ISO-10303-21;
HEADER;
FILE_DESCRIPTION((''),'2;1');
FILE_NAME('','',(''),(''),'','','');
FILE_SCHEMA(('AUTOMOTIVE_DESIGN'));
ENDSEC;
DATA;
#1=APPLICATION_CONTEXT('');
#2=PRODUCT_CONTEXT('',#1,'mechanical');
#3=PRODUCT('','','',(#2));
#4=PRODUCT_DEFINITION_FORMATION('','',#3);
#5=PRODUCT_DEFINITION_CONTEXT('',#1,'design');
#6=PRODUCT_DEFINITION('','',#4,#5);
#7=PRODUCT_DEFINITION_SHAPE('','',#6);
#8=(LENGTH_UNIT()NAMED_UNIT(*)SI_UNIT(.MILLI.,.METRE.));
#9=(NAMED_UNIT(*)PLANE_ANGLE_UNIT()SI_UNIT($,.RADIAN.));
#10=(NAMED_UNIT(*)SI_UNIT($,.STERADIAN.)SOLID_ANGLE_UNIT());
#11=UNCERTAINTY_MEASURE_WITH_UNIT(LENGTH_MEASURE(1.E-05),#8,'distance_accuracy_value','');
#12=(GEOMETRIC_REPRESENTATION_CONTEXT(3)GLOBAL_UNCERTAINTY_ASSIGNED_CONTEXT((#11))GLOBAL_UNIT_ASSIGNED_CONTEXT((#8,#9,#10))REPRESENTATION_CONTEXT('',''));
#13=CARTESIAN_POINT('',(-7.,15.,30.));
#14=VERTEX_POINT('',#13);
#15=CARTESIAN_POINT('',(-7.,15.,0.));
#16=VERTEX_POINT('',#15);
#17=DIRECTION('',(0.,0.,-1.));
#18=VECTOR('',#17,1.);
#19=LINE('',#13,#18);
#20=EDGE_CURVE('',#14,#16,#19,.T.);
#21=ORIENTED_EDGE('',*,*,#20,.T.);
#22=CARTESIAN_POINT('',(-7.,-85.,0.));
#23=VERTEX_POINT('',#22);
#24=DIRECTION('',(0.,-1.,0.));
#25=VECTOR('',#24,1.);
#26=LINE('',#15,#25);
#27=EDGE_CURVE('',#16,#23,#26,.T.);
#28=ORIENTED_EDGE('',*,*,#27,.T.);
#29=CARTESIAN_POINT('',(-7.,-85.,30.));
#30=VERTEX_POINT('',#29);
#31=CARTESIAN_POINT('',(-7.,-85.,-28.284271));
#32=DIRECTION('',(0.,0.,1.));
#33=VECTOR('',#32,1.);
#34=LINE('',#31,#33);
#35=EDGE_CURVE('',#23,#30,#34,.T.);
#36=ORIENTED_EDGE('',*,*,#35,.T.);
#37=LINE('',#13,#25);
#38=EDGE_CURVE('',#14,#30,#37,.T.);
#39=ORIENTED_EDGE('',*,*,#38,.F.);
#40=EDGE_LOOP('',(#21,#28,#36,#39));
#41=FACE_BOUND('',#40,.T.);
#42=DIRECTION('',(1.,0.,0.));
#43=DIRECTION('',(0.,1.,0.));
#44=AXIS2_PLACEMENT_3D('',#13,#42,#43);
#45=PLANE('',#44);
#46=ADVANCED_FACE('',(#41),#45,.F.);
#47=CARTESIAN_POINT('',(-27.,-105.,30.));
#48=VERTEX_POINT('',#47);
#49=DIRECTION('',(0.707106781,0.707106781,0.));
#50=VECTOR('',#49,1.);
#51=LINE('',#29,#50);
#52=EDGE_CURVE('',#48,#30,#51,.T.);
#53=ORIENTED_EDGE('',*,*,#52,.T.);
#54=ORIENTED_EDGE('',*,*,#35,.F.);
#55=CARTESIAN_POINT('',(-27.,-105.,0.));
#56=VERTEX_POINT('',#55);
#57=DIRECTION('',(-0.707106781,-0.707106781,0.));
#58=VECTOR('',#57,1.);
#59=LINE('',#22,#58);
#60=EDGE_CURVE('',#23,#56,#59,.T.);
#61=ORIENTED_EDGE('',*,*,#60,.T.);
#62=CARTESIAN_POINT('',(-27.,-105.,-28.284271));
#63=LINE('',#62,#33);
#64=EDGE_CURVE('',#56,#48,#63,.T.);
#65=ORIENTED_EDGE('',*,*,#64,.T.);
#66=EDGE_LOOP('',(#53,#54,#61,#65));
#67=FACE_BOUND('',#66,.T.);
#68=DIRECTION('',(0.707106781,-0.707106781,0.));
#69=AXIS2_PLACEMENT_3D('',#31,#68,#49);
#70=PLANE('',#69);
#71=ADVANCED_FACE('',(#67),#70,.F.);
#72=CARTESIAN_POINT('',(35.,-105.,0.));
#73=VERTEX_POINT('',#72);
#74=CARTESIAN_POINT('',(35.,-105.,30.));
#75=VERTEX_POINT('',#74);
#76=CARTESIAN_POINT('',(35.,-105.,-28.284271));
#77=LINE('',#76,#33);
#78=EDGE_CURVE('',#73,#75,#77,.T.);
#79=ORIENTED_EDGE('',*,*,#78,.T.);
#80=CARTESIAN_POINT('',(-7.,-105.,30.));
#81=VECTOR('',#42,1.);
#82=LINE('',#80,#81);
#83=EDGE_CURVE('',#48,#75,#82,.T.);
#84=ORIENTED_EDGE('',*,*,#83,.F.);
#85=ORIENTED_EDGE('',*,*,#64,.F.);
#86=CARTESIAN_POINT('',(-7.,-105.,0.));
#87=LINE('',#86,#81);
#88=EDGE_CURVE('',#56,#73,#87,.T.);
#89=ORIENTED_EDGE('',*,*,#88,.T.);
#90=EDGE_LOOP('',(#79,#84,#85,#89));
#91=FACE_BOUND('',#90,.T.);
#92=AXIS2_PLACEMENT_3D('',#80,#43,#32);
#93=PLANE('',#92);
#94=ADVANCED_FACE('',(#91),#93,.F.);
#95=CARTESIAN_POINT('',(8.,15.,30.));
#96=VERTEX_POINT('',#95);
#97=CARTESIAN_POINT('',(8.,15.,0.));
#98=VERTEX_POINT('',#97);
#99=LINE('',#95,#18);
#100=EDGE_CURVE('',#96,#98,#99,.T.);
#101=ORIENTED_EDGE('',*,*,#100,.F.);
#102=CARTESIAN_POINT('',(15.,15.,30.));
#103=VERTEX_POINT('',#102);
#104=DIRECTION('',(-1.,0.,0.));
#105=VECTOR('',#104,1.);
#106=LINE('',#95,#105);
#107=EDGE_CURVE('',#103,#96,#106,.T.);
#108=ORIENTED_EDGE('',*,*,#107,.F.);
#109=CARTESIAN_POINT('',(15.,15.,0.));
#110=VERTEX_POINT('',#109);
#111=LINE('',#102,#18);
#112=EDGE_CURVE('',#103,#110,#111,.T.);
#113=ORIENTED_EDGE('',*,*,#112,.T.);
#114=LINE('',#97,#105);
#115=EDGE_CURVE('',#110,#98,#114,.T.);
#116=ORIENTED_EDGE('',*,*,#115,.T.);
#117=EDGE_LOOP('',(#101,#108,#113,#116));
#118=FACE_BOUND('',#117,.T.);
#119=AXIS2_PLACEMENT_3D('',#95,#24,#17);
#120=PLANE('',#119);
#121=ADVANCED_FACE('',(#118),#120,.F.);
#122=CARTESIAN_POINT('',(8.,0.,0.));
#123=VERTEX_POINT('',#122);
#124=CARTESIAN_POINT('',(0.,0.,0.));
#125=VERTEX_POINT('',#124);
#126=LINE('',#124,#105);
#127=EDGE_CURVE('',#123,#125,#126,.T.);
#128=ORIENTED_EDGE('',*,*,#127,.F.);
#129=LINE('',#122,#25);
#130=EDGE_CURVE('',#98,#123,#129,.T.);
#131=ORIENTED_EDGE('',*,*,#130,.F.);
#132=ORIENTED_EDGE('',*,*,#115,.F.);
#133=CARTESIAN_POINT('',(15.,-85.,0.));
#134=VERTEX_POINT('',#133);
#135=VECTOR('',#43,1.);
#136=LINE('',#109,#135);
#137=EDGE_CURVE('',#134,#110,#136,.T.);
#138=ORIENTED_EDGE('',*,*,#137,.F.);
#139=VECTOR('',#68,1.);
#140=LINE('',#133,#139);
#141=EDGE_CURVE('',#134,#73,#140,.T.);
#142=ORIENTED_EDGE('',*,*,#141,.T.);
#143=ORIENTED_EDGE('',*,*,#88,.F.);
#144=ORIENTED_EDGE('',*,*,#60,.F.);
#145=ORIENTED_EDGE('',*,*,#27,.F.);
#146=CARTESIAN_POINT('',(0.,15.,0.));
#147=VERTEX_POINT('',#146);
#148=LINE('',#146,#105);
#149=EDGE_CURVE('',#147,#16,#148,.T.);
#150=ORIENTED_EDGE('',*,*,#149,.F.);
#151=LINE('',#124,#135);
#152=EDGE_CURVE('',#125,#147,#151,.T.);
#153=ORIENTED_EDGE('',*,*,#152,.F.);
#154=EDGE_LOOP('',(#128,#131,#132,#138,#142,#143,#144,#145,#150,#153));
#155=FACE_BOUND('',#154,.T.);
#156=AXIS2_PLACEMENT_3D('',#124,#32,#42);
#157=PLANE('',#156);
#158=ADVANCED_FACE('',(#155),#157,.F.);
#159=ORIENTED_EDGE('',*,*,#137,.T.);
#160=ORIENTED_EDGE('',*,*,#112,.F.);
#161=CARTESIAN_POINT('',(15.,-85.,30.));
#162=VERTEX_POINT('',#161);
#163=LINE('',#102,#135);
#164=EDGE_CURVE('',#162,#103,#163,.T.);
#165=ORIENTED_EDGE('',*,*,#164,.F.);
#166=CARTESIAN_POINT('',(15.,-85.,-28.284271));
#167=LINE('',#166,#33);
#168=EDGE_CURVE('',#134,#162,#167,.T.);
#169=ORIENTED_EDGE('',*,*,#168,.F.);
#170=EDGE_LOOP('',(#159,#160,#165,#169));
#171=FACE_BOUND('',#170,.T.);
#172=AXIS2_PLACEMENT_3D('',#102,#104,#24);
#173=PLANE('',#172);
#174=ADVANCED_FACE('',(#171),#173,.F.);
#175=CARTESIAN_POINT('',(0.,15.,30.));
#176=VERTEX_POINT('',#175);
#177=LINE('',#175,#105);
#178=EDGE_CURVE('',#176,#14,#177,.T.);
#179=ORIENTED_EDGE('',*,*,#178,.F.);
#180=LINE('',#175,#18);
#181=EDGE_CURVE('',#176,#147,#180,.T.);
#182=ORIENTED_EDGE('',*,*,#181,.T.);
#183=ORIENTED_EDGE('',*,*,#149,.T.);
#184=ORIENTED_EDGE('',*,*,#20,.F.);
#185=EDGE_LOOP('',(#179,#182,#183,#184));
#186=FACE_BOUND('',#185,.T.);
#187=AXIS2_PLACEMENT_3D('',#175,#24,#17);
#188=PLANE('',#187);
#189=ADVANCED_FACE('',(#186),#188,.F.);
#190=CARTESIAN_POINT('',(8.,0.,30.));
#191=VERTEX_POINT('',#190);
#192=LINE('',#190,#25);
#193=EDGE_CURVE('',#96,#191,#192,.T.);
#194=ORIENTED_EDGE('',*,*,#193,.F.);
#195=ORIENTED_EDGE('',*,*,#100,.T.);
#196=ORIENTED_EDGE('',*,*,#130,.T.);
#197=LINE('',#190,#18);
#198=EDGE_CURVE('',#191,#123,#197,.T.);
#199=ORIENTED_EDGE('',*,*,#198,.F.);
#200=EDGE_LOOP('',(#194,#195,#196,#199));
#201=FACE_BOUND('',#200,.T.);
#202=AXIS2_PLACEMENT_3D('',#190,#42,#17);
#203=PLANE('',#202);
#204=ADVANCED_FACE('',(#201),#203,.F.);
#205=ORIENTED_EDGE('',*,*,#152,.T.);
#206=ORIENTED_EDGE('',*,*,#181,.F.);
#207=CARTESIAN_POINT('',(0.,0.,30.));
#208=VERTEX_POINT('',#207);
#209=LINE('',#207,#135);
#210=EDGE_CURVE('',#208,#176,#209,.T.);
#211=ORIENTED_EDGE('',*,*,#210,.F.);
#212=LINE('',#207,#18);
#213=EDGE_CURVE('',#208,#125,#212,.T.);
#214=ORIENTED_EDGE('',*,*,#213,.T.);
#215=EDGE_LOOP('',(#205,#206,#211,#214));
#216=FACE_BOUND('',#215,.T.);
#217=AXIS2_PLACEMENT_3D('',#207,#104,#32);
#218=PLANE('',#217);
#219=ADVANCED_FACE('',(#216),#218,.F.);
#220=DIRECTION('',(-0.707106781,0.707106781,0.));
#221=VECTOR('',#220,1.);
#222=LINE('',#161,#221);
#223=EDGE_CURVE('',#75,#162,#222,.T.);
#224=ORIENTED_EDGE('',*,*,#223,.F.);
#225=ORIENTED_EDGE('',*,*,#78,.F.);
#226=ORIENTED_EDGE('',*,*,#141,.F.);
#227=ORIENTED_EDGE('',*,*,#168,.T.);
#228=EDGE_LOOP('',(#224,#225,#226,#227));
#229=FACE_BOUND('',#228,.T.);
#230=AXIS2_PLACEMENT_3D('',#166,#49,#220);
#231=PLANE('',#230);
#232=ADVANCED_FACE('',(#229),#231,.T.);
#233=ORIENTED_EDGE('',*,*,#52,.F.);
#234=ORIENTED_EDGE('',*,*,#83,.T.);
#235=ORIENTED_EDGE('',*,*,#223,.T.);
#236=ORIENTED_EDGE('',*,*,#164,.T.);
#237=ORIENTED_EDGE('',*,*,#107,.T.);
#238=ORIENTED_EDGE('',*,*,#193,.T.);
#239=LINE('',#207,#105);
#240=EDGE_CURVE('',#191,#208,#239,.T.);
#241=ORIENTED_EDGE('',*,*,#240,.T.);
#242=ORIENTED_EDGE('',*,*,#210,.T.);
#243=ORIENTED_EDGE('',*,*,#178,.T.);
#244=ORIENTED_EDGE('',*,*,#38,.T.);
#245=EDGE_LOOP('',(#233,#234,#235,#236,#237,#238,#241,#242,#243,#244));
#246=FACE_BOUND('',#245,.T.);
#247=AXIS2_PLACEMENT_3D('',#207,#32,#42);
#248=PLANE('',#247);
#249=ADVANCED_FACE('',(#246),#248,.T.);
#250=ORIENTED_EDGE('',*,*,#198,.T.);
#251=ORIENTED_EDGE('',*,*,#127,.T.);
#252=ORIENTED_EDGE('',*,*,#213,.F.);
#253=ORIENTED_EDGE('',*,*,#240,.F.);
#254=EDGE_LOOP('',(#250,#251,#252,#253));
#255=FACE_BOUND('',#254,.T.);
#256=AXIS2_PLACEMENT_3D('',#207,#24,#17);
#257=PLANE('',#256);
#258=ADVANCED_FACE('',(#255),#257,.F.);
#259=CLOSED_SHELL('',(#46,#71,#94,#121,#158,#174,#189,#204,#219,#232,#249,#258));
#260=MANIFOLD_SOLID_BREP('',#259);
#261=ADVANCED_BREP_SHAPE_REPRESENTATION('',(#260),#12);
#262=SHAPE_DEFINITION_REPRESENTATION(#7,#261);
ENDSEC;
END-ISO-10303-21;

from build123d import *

# Parameters (mm, degrees)
BOSS_EXTRUDE1_DEPTH = 30
BOSS_EXTRUDE2_DEPTH = 30


with BuildPart() as part:
    # Sketch1 → Boss-Extrude1 (new body)
    with BuildSketch(Plane.XY):
        Polygon((0, 0), (8, 0), (8, 15), (15, 15), (15, -105), (-7, -105), (-7, 15), (0, 15), align=None)
    extrude(amount=BOSS_EXTRUDE1_DEPTH)

    # Sketch2 → Boss-Extrude2 (add)
    with BuildSketch(Plane.XY.offset(30)):
        Polygon((15, -85), (35, -105), (15, -105), align=None)
    boss_extrude2 = extrude(amount=-BOSS_EXTRUDE2_DEPTH)

    # Mirror1: Boss-Extrude2 across plane
    add(boss_extrude2.mirror(Plane.ZY.offset(-4)))


solid = part.part
